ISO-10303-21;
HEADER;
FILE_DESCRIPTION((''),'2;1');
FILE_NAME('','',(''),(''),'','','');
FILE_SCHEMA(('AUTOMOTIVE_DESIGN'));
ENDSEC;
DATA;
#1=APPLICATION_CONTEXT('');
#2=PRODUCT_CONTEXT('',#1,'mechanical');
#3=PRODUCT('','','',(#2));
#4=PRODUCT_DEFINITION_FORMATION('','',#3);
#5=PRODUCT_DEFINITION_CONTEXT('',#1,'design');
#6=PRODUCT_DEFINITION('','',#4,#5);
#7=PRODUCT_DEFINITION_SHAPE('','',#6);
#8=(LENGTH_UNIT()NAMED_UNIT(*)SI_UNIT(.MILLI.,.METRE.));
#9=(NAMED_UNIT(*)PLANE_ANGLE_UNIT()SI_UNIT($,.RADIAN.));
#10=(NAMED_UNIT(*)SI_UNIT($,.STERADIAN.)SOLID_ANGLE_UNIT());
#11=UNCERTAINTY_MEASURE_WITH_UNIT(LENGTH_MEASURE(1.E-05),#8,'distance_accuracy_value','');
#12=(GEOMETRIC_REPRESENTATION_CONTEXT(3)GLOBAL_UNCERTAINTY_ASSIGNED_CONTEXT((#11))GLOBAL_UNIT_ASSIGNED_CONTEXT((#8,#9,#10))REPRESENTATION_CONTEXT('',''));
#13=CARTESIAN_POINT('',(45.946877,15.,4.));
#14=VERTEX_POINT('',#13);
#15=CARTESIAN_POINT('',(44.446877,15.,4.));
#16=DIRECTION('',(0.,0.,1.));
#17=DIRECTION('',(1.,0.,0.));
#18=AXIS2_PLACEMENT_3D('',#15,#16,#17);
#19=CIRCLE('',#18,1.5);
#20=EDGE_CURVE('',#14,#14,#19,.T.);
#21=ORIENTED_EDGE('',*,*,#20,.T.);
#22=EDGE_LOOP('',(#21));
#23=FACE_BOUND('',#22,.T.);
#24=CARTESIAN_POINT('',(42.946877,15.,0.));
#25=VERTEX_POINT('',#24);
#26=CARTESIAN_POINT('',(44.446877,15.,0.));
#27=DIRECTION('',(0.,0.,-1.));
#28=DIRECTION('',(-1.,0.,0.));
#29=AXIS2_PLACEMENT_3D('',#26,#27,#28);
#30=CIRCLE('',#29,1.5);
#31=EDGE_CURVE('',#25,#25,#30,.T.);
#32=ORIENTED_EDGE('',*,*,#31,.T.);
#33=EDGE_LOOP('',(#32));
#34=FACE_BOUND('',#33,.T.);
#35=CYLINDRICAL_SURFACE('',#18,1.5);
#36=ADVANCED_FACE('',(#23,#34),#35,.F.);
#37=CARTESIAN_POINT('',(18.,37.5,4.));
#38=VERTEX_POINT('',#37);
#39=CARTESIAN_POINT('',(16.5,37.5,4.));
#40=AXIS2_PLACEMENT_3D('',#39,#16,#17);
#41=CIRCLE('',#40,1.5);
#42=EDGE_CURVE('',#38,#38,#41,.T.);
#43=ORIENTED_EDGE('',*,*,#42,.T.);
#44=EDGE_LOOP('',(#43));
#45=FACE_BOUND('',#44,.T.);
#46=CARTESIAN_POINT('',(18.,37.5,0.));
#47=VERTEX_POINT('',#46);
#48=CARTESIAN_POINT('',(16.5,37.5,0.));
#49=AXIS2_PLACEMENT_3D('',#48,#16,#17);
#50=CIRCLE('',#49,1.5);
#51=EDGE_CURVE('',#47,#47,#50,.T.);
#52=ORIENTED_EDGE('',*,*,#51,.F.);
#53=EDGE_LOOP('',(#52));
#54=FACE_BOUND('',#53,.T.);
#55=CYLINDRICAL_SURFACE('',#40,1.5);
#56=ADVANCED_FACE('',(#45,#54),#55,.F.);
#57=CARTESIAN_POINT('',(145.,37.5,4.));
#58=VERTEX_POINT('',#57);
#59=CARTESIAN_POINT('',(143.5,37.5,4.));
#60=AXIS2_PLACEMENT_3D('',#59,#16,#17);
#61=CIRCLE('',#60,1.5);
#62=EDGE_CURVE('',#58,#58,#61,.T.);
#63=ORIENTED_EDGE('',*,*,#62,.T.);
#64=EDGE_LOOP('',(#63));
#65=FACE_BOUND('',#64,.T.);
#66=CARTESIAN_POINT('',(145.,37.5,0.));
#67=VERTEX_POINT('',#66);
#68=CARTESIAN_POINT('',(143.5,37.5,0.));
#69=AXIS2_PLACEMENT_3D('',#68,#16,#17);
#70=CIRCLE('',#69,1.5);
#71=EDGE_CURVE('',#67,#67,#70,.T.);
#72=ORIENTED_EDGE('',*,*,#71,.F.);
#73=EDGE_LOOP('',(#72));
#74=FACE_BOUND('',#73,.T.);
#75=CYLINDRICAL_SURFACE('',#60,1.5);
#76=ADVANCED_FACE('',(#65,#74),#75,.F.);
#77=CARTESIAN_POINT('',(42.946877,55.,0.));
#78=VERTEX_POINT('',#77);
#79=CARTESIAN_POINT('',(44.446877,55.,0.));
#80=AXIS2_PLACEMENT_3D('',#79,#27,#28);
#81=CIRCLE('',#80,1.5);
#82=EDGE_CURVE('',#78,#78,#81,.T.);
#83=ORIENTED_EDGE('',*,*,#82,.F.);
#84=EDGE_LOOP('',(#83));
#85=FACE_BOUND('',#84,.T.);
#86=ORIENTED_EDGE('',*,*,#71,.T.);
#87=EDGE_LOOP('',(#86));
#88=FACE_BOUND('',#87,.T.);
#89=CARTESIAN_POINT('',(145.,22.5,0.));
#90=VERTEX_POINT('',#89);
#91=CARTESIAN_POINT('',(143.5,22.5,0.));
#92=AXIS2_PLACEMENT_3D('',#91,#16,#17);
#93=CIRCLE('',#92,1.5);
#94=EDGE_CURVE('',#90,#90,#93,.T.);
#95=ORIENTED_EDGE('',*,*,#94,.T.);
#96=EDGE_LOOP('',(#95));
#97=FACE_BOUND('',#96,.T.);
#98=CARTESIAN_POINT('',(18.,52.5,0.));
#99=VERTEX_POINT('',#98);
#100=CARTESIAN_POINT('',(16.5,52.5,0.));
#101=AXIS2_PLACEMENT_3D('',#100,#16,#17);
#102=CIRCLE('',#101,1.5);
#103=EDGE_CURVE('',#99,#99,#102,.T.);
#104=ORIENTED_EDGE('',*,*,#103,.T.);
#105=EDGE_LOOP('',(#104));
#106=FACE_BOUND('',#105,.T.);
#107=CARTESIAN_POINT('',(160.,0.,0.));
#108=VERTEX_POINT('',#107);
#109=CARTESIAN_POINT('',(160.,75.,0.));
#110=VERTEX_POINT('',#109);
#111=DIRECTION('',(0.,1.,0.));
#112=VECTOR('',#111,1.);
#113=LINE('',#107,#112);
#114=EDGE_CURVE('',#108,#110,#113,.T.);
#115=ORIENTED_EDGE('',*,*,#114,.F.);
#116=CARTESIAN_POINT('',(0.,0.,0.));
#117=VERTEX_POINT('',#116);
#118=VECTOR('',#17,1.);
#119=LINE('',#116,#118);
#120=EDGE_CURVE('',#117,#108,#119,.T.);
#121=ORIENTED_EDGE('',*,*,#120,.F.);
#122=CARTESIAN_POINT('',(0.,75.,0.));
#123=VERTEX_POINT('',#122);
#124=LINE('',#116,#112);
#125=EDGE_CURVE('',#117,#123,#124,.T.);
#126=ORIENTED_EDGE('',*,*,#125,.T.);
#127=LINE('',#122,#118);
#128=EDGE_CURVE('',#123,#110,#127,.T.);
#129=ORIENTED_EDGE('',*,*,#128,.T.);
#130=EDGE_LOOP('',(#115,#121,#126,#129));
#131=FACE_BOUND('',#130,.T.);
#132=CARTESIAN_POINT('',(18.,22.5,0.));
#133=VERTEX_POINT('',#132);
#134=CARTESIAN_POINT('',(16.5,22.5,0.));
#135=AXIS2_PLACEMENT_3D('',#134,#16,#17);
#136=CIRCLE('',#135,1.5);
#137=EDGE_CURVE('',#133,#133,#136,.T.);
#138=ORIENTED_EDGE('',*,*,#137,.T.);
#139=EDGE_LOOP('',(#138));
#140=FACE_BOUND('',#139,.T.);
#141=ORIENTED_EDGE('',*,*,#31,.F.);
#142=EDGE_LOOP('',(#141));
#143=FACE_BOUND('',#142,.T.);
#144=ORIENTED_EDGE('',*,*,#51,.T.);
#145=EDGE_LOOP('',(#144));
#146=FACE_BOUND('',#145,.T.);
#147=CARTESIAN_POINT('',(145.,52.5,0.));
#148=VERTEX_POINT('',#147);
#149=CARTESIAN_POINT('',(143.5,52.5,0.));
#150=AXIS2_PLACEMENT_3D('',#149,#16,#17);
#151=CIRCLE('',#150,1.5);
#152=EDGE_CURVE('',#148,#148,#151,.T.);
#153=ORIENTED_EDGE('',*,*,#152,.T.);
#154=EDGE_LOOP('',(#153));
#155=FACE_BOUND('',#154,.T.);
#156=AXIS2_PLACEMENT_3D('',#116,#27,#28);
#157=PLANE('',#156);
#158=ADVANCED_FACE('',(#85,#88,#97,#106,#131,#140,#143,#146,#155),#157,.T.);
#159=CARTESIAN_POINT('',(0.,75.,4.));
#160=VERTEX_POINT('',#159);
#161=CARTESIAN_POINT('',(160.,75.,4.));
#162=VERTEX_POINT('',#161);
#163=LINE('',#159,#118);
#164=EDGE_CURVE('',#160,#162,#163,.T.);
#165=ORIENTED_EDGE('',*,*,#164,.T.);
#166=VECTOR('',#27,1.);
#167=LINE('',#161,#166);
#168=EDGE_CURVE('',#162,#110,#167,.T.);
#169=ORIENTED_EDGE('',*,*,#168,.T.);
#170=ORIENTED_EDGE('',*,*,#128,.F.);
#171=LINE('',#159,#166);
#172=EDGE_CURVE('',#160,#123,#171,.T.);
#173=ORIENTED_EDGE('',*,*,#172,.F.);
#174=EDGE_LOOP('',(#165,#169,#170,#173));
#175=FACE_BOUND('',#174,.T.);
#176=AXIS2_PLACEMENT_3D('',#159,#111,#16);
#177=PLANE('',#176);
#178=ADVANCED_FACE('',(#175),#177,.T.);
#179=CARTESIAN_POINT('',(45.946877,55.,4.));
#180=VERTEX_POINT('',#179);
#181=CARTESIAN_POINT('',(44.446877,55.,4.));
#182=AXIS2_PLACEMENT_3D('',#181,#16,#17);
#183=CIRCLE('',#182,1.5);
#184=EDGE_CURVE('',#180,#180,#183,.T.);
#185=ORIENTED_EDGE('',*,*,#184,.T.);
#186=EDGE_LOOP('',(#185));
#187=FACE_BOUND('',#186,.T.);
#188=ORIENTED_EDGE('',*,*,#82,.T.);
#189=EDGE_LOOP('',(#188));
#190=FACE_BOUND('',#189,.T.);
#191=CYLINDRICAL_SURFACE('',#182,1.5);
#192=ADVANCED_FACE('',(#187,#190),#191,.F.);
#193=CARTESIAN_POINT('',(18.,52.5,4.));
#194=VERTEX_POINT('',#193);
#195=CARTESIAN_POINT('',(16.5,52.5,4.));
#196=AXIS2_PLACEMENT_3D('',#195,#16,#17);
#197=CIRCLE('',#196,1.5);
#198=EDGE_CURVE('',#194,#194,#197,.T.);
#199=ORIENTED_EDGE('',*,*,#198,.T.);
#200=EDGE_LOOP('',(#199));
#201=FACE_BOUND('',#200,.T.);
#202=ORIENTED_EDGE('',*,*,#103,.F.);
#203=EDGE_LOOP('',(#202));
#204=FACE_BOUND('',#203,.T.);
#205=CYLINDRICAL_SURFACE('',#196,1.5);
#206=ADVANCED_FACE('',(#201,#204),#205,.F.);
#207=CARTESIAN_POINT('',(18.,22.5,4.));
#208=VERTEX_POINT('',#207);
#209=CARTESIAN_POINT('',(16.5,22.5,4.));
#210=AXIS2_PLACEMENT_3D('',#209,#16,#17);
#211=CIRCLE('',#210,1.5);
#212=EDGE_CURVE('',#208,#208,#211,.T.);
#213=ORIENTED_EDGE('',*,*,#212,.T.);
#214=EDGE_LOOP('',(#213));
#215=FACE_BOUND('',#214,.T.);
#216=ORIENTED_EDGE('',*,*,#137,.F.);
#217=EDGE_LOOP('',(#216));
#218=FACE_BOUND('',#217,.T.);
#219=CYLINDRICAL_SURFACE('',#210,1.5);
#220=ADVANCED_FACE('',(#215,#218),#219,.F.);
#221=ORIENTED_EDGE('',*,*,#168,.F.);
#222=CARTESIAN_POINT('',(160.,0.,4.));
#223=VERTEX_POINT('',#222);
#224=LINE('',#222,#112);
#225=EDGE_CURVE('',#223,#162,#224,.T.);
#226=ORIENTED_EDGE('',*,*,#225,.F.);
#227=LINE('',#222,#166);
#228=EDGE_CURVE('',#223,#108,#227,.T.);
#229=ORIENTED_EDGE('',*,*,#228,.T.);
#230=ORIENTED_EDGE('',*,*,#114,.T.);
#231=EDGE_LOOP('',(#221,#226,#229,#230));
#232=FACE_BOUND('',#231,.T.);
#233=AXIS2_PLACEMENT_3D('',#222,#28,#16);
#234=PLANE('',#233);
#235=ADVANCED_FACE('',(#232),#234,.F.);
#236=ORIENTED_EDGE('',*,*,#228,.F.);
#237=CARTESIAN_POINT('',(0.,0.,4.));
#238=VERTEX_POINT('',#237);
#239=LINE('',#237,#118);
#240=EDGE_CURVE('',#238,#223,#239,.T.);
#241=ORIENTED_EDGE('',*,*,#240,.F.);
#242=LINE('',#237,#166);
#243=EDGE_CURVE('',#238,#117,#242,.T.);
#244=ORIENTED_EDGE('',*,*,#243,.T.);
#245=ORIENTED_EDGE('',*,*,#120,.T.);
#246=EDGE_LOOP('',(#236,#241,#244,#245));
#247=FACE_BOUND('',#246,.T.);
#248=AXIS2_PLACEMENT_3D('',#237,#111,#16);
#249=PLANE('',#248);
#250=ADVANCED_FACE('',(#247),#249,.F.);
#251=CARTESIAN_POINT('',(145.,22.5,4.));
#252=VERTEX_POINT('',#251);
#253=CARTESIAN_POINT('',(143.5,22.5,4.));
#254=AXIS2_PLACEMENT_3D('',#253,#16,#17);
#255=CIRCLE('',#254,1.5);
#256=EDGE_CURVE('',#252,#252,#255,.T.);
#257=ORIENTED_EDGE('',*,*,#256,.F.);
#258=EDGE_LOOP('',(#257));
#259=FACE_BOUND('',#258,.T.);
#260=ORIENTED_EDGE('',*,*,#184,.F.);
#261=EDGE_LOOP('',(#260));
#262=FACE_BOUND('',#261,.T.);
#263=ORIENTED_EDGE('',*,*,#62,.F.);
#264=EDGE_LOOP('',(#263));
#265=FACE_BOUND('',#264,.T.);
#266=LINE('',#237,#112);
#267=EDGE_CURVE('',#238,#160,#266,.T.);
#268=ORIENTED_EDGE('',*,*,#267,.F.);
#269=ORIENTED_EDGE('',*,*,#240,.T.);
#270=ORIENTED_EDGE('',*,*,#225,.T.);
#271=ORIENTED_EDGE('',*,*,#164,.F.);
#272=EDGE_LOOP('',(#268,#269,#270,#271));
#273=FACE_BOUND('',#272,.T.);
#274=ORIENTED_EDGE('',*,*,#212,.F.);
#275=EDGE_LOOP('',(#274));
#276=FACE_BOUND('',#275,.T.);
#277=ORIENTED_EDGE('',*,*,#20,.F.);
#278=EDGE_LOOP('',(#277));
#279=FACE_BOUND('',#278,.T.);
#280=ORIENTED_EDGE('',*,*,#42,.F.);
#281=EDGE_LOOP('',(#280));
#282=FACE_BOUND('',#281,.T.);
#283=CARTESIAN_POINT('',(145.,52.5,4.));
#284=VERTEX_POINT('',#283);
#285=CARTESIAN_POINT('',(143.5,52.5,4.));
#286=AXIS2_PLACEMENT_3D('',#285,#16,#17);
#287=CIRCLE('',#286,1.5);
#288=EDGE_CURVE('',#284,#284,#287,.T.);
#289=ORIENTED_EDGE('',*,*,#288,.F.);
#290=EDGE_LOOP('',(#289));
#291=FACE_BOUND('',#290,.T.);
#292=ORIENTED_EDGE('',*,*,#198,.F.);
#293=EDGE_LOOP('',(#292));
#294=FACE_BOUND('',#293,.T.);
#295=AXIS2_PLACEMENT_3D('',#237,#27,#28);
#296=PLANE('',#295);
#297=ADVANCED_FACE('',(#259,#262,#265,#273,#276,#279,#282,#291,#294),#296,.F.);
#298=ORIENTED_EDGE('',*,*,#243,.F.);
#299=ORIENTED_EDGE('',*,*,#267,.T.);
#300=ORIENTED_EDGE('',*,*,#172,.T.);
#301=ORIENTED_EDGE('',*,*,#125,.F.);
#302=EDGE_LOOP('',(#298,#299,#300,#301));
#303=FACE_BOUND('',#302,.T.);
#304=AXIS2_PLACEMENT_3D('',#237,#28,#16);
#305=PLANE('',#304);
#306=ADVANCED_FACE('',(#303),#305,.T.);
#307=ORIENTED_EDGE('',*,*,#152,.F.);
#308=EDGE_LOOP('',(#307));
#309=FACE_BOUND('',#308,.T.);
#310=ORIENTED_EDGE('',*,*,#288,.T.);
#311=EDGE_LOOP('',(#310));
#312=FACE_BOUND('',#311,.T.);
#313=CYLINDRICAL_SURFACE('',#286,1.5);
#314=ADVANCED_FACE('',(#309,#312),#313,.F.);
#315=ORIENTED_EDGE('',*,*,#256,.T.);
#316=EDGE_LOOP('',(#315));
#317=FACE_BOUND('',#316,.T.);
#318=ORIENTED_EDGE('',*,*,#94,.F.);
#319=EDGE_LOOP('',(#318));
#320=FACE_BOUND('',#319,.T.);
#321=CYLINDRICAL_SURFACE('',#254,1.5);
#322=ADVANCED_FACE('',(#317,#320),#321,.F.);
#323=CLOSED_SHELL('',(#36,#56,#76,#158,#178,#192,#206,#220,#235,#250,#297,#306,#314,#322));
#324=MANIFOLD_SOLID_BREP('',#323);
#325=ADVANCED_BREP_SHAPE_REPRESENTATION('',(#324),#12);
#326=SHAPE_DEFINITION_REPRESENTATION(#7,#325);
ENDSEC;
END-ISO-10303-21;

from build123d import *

# Parameters (mm, degrees)
SKETCH1_W                       = 160
SKETCH1_H                       = 75
BOSS_EXTRUDE1_DEPTH             = 4
F_3_0MM_DOWEL_HOLE1_D           = 3
F_3_0MM_DOWEL_HOLE2_D           = 3
F_3_0MM_PRESS_DOWEL_HOLE1_D     = 3
F_3_0MM_PRESS_DOWEL_HOLE1_DEPTH = 6
F_3_0MM_PRESS_DOWEL_HOLE1_TIP   = 0.901290929


with BuildPart() as part:
    # Sketch1 → Boss-Extrude1 (new body)
    with BuildSketch(Plane.XY):
        with Locations((80, 37.5)):
            Rectangle(SKETCH1_W, SKETCH1_H)
    extrude(amount=BOSS_EXTRUDE1_DEPTH)

    # Ø3.0mm Dowel Hole1 (through all)
    with Locations(Plane.XY.offset(4)):
        with Locations((16.5, 52.5), (16.5, 22.5), (143.5, 52.5), (143.5, 22.5)):
            Hole(F_3_0MM_DOWEL_HOLE1_D / 2)

    # Ø3.0mm Dowel Hole2 (through all)
    with Locations(Plane.XY.offset(4)):
        with Locations((16.5, 37.5), (143.5, 37.5)):
            Hole(F_3_0MM_DOWEL_HOLE2_D / 2)

    # Ø3.0mm Press Dowel Hole1
    with Locations(Plane.XY.offset(4)):
        with Locations((44.446877451, 15), (44.446877451, 55)):
            Hole(F_3_0MM_PRESS_DOWEL_HOLE1_D / 2, depth=F_3_0MM_PRESS_DOWEL_HOLE1_DEPTH)
            with Locations((0, 0, -(F_3_0MM_PRESS_DOWEL_HOLE1_DEPTH + F_3_0MM_PRESS_DOWEL_HOLE1_TIP / 2))):  # 118° drill point
                Cone(0, F_3_0MM_PRESS_DOWEL_HOLE1_D / 2, F_3_0MM_PRESS_DOWEL_HOLE1_TIP, mode=Mode.SUBTRACT)


solid = part.part
